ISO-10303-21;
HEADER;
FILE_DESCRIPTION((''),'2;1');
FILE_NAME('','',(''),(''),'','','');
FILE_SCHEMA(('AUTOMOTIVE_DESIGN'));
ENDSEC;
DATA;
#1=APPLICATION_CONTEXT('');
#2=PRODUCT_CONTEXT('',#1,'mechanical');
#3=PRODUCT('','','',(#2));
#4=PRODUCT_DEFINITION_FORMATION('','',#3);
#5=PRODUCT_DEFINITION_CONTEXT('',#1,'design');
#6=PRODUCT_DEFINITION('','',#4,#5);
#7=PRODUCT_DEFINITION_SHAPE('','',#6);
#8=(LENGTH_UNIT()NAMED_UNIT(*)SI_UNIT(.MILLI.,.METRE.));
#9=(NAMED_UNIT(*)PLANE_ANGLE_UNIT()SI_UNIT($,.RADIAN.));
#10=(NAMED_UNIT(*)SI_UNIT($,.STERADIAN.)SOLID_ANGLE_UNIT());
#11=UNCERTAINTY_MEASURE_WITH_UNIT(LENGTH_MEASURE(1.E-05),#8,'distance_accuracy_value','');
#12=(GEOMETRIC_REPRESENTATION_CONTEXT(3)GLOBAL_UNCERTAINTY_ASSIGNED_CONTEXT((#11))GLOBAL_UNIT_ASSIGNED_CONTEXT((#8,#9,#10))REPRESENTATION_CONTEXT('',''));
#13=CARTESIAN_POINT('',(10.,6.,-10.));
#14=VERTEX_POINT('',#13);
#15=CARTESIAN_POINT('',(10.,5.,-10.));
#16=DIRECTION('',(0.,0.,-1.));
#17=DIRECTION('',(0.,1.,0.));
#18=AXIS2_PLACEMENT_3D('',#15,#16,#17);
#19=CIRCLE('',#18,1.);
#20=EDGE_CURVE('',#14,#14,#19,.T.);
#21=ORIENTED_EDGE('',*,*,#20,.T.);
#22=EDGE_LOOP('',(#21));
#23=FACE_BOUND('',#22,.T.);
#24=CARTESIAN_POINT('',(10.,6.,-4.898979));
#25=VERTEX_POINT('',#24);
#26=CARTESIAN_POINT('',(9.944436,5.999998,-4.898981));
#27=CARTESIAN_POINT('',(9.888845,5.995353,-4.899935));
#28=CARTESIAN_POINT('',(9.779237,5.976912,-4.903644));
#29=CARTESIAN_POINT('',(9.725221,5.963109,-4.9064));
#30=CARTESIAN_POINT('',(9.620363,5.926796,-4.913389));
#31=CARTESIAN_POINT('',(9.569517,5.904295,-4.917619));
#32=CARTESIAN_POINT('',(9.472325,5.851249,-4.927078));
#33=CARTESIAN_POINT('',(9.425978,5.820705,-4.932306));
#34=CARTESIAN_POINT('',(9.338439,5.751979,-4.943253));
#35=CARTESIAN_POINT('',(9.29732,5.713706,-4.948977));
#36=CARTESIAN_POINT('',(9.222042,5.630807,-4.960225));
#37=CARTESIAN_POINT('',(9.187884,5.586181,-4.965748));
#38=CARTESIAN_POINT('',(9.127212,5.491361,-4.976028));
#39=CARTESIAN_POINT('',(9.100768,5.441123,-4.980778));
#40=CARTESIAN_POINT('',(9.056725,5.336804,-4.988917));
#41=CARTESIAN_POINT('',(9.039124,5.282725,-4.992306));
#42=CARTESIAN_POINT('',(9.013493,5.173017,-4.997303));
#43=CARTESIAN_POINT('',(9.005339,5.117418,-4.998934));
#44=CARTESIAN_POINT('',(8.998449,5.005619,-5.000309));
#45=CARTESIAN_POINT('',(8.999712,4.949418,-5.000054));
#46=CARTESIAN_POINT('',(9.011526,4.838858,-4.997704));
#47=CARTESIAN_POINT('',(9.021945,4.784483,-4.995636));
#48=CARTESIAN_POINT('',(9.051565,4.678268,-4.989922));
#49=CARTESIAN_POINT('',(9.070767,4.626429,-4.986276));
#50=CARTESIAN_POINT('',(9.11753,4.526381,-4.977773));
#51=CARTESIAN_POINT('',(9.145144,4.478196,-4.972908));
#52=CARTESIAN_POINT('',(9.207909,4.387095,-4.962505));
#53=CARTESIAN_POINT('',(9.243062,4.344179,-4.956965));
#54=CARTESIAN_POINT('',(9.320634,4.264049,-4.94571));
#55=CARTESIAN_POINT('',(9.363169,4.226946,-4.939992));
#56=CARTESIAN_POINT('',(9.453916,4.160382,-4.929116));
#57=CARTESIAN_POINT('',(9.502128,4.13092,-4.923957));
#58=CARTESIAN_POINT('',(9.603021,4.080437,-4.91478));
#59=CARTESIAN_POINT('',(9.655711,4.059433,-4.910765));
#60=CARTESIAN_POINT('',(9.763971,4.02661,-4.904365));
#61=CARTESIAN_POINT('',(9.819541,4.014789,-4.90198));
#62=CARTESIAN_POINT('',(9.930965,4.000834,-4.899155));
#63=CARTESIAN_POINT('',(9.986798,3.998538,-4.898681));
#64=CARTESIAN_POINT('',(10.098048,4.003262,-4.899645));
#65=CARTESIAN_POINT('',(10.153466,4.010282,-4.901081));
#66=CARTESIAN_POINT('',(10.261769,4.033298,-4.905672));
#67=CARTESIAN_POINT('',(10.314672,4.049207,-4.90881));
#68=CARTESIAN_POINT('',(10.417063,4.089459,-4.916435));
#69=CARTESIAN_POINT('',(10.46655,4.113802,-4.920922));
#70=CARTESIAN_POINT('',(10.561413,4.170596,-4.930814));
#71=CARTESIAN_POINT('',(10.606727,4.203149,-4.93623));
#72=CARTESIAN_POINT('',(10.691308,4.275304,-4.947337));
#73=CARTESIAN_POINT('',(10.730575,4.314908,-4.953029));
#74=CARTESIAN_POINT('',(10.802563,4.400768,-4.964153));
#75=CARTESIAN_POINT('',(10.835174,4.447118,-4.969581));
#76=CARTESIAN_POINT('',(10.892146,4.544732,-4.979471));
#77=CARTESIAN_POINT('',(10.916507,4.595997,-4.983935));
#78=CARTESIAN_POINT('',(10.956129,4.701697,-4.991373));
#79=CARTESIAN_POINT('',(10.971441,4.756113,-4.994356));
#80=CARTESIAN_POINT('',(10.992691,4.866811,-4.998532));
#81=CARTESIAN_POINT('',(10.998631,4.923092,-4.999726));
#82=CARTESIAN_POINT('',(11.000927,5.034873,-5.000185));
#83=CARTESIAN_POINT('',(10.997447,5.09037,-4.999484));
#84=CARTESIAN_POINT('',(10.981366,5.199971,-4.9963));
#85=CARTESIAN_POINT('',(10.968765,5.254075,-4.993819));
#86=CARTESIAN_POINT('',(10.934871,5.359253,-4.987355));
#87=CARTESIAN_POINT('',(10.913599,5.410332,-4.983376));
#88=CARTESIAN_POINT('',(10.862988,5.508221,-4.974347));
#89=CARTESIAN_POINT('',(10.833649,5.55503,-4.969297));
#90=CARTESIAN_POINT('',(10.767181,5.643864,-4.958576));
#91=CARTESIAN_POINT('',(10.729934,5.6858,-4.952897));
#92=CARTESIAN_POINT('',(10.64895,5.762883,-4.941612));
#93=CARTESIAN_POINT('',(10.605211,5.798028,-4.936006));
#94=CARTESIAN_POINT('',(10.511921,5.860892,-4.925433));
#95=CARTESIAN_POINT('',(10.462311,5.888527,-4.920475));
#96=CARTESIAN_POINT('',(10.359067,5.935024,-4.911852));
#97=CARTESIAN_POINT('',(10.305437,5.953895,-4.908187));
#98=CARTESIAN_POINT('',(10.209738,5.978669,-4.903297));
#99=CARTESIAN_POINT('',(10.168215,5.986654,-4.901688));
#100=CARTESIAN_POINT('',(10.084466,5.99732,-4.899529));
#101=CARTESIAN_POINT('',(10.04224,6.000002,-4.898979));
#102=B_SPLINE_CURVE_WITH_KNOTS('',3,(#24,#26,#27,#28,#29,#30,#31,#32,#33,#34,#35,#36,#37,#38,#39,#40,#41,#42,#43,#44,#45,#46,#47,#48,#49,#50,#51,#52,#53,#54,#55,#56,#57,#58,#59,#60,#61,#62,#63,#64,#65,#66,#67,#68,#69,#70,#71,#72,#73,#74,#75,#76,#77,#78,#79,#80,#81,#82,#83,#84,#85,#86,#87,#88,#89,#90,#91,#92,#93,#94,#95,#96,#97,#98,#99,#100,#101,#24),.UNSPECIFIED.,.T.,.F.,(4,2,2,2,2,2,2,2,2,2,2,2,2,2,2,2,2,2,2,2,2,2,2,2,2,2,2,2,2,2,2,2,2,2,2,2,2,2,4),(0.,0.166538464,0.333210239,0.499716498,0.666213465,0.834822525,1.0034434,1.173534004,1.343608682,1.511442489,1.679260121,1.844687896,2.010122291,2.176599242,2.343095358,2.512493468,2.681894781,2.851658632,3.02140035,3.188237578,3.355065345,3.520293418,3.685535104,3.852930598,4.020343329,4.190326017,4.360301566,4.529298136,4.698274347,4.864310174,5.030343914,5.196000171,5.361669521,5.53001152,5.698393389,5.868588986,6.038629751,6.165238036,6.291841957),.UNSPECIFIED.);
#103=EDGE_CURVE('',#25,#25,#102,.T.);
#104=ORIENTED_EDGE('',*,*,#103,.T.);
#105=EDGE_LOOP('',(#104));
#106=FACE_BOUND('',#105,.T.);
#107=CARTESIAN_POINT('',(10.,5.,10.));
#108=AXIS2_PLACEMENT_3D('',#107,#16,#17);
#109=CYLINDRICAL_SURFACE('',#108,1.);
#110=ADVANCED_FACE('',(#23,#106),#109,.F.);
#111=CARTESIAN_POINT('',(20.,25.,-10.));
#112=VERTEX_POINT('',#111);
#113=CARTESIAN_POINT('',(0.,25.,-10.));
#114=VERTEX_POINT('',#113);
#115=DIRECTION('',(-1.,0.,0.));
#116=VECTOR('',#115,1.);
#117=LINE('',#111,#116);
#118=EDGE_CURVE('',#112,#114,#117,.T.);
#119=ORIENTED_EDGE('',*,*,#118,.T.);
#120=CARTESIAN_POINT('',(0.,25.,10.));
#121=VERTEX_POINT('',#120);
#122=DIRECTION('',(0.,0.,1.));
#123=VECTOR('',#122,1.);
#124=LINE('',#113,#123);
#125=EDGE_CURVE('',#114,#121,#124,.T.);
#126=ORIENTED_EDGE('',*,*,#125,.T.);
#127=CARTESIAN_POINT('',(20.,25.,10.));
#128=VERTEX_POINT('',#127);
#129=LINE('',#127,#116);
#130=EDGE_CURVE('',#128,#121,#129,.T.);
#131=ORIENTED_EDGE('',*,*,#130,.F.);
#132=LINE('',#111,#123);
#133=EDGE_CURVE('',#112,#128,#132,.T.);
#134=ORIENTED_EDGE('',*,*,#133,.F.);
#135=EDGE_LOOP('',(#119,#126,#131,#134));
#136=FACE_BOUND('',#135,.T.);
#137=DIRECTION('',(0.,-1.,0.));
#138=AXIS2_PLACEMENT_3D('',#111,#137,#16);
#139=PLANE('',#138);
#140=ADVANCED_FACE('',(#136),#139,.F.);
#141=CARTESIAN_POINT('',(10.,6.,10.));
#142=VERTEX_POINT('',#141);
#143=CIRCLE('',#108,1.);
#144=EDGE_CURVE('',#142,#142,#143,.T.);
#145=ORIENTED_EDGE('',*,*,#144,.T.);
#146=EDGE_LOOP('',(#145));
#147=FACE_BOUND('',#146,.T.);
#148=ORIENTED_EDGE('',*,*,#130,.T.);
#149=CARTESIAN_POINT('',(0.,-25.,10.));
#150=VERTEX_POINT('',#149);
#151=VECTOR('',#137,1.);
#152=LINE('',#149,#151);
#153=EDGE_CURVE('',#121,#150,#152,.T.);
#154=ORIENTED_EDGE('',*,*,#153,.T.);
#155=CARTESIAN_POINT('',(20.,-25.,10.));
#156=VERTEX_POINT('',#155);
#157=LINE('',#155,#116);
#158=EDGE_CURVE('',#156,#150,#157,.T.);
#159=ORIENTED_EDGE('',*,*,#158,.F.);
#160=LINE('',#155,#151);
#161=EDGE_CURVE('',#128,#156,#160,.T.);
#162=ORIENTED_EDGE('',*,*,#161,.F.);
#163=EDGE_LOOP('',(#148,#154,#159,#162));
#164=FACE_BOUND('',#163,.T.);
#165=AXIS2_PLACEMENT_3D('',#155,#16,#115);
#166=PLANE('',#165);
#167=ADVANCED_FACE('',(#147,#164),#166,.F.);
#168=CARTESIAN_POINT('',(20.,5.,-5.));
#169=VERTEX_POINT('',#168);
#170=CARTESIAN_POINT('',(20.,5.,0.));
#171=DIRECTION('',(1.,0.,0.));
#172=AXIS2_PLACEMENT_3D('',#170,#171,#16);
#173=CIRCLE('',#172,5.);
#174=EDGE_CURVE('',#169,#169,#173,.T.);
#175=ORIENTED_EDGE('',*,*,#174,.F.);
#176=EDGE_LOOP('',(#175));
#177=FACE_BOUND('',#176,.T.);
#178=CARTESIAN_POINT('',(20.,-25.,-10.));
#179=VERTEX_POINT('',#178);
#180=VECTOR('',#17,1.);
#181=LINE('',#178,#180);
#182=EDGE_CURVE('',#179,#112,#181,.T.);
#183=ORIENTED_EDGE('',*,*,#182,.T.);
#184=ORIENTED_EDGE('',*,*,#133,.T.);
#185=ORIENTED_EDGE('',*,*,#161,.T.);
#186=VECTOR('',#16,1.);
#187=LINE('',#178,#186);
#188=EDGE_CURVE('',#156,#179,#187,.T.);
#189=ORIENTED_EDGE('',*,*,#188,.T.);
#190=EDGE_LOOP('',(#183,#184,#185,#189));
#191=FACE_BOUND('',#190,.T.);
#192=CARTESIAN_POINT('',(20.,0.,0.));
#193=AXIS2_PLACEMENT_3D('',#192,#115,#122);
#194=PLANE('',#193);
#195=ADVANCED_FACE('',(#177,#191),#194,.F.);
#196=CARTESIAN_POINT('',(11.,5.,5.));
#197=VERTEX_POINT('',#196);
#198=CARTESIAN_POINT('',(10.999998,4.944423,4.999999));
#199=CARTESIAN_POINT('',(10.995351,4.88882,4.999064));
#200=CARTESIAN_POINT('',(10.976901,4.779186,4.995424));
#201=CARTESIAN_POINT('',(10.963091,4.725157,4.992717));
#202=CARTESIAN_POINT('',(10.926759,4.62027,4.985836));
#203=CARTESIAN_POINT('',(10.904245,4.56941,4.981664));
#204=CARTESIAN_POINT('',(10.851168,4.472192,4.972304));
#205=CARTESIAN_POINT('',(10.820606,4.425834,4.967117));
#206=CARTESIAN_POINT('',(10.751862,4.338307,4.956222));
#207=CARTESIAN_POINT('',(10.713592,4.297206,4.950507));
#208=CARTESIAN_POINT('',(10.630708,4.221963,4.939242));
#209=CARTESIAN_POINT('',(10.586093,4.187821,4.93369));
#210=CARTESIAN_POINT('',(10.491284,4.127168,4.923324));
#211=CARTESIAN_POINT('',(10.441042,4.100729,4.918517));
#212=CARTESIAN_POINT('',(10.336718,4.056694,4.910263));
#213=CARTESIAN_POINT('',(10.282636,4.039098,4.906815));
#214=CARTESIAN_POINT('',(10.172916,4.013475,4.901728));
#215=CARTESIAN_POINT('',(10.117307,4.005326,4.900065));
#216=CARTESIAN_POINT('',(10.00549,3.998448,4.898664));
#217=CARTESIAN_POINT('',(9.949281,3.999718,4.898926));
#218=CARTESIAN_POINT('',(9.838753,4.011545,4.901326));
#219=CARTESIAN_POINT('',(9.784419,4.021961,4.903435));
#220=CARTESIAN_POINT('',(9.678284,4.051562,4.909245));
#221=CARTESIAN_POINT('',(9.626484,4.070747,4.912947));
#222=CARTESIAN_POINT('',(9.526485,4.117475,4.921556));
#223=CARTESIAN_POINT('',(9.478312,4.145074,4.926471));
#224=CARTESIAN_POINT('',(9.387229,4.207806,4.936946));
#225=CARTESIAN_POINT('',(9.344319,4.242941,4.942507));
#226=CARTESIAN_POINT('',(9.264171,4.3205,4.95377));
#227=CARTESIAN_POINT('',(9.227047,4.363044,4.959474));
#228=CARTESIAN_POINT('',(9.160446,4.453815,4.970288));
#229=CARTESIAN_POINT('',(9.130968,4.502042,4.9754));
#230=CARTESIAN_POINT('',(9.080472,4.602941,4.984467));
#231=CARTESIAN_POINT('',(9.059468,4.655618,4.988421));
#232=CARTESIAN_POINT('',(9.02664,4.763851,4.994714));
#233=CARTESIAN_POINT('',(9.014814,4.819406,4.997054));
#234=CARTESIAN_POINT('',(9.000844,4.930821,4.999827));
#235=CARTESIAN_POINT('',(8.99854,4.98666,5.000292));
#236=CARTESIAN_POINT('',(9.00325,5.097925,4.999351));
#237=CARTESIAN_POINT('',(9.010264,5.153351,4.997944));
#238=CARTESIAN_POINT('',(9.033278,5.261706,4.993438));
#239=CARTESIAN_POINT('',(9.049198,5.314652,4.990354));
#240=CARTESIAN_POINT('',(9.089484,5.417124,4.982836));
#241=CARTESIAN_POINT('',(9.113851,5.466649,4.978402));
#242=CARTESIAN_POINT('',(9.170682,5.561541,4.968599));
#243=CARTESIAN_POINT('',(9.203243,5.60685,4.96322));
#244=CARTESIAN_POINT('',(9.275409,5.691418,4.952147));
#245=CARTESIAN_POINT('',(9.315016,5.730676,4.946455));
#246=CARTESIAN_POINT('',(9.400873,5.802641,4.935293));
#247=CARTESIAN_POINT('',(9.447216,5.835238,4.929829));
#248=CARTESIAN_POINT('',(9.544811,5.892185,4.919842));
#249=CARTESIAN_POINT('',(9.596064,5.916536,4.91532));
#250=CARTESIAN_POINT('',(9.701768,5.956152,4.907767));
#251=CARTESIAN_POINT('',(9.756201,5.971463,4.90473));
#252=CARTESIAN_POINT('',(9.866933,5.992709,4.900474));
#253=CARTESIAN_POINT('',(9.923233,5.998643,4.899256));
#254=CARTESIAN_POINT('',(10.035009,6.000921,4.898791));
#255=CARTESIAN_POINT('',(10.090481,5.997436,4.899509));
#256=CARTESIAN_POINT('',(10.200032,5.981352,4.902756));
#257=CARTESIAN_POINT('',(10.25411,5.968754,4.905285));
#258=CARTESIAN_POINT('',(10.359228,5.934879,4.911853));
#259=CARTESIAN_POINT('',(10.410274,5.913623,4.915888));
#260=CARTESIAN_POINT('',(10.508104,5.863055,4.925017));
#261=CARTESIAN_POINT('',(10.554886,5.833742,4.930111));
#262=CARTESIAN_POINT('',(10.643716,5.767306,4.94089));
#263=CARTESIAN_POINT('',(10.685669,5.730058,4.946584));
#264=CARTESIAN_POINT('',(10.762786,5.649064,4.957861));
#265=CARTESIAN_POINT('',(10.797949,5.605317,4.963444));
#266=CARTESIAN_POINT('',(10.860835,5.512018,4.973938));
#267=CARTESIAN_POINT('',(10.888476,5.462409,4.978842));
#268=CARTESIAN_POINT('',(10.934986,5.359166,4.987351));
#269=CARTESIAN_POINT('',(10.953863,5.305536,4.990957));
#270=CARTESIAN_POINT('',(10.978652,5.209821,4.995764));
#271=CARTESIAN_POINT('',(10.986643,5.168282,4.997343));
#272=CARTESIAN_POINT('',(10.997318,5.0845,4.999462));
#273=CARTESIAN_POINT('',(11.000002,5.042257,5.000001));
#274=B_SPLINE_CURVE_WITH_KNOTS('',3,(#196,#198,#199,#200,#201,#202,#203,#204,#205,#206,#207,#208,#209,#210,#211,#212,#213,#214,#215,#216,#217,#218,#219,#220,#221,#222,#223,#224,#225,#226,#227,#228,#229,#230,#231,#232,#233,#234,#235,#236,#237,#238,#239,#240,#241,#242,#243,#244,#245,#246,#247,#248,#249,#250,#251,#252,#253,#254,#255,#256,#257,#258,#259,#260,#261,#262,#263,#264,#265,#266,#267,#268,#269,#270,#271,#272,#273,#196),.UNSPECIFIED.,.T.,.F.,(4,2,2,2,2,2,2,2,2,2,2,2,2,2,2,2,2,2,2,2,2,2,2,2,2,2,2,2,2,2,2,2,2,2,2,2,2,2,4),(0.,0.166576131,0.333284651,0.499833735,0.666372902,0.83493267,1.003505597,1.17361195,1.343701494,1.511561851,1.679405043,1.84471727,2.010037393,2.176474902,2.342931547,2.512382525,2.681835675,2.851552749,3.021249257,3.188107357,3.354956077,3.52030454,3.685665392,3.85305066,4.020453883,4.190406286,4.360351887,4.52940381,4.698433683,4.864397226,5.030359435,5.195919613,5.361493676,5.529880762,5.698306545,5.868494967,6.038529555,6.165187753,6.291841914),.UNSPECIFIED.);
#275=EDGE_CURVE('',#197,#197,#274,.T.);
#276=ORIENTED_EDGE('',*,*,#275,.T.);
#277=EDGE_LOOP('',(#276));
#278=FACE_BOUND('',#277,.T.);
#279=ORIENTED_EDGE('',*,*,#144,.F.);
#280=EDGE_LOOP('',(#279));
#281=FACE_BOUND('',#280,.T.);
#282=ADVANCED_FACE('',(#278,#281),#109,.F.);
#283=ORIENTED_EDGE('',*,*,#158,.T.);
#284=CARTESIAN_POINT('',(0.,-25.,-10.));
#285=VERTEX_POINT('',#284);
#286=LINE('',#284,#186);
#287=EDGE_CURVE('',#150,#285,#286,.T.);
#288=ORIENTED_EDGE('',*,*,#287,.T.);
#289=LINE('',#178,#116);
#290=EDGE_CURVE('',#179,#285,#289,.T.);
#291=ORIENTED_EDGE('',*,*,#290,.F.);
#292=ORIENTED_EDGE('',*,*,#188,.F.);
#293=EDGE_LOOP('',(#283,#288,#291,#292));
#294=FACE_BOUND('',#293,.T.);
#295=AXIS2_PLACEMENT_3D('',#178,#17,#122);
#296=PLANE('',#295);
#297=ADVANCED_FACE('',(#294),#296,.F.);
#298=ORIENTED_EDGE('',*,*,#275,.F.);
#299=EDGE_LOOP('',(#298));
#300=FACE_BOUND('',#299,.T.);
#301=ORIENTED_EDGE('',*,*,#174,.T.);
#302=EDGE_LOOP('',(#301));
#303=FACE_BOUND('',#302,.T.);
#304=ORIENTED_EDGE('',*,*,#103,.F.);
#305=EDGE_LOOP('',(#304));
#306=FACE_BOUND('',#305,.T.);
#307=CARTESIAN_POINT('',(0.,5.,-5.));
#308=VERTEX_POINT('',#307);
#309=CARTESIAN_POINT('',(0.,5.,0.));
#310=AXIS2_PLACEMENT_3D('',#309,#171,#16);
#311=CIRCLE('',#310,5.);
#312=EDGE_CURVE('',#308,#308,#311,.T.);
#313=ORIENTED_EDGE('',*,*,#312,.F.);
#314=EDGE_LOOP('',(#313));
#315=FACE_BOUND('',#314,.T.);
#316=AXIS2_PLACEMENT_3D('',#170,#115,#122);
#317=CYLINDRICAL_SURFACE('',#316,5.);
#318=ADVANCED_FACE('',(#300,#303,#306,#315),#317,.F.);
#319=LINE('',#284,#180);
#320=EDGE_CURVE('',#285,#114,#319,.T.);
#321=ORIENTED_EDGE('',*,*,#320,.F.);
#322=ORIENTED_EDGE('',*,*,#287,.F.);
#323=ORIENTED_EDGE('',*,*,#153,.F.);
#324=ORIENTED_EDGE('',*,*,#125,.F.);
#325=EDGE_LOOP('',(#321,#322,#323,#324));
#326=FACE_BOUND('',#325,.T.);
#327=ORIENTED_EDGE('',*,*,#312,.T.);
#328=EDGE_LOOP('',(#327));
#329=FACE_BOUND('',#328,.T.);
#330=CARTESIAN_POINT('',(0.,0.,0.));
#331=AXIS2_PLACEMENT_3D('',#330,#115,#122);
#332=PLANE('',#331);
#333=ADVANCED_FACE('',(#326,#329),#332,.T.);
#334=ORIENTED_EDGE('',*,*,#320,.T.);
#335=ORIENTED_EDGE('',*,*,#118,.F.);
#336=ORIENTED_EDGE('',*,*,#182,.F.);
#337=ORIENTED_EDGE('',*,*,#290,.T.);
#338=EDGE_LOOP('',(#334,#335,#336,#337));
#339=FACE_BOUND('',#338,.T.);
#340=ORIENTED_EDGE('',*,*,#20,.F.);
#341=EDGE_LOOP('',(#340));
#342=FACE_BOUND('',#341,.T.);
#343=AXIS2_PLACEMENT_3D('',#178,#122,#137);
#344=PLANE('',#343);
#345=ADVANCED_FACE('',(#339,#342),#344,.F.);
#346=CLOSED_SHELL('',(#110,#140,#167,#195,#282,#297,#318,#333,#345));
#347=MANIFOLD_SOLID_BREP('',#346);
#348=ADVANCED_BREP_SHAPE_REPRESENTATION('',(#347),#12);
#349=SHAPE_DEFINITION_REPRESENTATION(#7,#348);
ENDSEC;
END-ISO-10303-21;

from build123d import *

# Parameters (mm, degrees)
SKETCH1_W           = 50
SKETCH1_H           = 20
SKETCH1_R           = 5
BOSS_EXTRUDE3_DEPTH = 20
SKETCH2_R           = 1
CUT_EXTRUDE1_DEPTH  = 38.749172176


with BuildPart() as part:
    # Sketch1 → Boss-Extrude3 (new body)
    with BuildSketch(Plane.YZ):
        Rectangle(SKETCH1_W, SKETCH1_H)
        with Locations(Location((5, 0, 0), (0, 0, 270))):
            Circle(SKETCH1_R, mode=Mode.SUBTRACT)
    extrude(amount=BOSS_EXTRUDE3_DEPTH)

    # Sketch2 → Cut-Extrude1 (cut, through all)
    with BuildSketch(Plane(origin=(0, 0, -10), x_dir=(1, 0, 0), z_dir=(0, 0, -1))):
        with Locations(Location((10, -5, 0), (0, 0, 270))):
            Circle(SKETCH2_R)
    extrude(amount=-CUT_EXTRUDE1_DEPTH, mode=Mode.SUBTRACT)


solid = part.part
